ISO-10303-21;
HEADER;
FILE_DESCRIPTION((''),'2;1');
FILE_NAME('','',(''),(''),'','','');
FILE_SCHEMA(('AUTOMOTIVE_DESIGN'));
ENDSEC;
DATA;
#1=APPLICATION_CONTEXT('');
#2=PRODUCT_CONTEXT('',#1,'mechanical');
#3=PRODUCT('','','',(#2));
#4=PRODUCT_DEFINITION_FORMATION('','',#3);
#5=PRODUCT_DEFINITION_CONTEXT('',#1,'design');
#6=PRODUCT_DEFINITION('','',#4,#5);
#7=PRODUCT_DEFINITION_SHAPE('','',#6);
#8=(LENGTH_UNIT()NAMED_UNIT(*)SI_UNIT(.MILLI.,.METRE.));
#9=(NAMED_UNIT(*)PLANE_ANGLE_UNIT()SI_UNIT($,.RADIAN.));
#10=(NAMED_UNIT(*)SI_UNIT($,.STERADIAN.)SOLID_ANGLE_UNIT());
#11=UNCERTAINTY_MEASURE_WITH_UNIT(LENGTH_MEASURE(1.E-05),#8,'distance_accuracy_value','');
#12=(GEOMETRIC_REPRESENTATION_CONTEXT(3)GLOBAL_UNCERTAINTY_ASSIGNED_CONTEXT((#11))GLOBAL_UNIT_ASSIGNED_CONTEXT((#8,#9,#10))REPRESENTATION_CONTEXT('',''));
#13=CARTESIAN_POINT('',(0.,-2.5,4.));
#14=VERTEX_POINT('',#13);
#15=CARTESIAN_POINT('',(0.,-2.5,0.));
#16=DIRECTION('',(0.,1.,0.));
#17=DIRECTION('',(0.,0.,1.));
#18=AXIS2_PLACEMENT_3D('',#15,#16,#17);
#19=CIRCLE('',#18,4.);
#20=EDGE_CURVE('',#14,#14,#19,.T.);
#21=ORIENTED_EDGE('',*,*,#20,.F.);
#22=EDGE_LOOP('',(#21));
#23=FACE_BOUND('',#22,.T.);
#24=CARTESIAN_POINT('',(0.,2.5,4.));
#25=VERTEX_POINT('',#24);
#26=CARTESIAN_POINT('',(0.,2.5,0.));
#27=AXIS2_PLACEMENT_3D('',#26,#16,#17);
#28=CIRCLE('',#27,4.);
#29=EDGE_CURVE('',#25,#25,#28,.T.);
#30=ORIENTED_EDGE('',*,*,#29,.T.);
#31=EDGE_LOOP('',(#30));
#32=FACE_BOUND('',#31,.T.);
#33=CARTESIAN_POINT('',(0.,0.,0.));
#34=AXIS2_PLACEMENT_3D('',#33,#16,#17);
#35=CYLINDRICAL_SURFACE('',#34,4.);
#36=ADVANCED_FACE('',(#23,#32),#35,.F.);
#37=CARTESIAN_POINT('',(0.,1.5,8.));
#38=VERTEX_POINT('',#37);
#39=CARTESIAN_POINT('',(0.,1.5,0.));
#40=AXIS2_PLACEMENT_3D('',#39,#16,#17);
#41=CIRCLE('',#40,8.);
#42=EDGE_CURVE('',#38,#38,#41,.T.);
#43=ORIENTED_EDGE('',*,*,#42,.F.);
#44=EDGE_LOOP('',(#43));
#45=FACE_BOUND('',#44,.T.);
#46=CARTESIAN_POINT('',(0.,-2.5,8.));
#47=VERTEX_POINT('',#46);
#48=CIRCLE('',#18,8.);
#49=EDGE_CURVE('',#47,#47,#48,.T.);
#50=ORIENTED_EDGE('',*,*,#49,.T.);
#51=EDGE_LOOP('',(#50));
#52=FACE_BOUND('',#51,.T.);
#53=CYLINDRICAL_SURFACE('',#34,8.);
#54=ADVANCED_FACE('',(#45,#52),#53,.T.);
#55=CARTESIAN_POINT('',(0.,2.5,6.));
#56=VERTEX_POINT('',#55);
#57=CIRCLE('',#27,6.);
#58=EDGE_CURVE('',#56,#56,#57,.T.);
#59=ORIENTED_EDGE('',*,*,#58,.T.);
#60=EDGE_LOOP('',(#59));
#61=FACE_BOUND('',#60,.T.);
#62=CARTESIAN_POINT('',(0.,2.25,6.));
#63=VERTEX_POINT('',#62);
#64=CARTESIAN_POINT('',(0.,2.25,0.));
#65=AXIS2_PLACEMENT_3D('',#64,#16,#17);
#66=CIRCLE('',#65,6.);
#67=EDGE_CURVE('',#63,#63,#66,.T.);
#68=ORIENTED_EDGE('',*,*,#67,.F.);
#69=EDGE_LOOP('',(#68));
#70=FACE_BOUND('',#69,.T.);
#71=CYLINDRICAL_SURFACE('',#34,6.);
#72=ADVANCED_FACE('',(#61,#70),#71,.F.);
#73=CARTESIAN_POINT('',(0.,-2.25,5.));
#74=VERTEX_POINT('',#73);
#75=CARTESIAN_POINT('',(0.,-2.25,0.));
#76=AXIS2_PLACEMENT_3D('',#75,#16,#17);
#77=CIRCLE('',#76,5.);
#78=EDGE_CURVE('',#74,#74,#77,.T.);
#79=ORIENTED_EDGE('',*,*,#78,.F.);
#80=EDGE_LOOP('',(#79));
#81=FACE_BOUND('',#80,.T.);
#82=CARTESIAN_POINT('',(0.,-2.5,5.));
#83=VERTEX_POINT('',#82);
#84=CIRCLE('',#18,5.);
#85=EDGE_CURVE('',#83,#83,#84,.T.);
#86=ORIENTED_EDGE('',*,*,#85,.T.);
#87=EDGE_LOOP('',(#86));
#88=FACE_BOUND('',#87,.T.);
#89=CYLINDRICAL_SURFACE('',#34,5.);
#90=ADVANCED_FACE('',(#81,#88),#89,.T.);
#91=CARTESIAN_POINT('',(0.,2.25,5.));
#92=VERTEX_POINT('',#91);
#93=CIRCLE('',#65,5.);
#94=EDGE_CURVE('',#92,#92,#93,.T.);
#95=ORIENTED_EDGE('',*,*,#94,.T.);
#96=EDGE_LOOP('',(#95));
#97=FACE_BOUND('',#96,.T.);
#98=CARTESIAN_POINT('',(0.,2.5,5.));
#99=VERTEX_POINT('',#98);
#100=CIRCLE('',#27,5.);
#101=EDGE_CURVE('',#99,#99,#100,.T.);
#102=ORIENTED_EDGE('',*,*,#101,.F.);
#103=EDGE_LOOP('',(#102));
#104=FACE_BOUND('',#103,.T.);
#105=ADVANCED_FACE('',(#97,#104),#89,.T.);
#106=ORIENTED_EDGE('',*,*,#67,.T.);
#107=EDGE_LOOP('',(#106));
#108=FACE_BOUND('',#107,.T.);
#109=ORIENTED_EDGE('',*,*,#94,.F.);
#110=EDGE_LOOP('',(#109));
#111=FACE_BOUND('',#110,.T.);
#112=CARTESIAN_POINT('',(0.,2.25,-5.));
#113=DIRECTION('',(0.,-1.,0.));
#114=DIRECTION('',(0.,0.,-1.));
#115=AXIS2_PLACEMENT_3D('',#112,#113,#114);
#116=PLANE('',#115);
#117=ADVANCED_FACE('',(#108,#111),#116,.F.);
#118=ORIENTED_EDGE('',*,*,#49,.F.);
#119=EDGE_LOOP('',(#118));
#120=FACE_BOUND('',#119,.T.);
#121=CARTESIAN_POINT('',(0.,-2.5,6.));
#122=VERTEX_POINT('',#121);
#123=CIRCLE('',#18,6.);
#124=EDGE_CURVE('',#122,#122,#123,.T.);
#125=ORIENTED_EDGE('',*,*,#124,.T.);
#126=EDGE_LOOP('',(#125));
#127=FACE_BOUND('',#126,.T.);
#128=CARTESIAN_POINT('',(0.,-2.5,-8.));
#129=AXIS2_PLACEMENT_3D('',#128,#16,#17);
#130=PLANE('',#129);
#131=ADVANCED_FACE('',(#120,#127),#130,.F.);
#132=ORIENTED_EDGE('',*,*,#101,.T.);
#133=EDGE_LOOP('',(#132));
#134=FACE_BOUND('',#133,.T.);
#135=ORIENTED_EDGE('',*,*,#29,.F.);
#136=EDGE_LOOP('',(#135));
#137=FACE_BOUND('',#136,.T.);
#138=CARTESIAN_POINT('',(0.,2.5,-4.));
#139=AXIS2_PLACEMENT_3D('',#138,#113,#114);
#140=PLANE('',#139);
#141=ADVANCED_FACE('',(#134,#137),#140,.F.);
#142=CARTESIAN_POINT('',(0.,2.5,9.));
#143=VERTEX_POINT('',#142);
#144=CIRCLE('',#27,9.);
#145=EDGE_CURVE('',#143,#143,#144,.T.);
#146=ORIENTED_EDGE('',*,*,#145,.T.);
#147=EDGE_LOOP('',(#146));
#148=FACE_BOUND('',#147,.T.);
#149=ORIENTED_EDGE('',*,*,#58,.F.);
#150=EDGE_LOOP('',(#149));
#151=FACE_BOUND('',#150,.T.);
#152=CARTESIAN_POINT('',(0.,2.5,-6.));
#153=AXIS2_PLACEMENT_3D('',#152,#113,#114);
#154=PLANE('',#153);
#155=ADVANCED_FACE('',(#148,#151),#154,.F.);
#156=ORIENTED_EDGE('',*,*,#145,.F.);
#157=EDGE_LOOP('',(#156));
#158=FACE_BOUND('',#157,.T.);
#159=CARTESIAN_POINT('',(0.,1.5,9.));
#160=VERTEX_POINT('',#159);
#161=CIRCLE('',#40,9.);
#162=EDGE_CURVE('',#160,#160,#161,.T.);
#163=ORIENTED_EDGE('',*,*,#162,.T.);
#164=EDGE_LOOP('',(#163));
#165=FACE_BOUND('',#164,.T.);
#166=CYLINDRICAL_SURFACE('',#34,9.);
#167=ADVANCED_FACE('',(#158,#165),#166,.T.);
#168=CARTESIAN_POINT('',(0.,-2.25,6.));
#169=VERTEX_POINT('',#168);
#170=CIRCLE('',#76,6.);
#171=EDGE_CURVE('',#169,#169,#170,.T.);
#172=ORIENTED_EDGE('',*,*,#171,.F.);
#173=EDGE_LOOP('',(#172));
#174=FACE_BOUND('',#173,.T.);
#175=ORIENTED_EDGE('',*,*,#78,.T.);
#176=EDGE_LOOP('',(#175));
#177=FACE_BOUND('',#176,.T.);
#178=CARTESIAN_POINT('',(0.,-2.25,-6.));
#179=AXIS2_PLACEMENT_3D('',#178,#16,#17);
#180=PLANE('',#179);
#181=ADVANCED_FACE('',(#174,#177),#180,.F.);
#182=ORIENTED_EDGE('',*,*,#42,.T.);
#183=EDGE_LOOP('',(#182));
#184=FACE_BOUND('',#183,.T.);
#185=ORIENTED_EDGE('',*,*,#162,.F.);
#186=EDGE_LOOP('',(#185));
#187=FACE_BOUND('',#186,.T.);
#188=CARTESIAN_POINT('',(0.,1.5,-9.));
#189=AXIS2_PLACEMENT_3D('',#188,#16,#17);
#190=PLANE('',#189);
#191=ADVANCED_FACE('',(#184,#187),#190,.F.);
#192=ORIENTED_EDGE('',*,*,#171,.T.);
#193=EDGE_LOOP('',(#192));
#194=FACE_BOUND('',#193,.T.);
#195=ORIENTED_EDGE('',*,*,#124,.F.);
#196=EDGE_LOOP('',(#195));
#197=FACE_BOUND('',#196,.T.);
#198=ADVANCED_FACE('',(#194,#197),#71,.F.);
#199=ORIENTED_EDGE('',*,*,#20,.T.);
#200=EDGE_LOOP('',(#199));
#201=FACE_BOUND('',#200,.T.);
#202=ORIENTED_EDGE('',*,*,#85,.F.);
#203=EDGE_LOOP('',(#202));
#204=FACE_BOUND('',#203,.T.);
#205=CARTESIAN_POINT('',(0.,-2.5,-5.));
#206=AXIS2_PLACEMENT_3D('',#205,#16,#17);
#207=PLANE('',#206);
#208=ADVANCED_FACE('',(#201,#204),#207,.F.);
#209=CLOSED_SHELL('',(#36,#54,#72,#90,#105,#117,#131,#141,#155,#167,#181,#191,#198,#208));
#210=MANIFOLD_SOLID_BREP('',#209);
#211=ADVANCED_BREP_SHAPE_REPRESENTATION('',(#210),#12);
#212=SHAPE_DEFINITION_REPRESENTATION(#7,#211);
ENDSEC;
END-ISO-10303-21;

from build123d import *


with BuildPart() as part:
    # Sketch1 → Revolve1 (revolve)
    with BuildSketch(Plane(origin=(0, 0, 0), x_dir=(0, -1, 0), z_dir=(1, 0, 0)), mode=Mode.PRIVATE) as revolve1_sk:
        Polygon((-2.5, 9), (-1.5, 9), (-1.5, 8), (2.5, 8), (2.5, 6), (2.25, 6), (2.25, 5), (2.5, 5), (2.5, 4), (-2.5, 4), (-2.5, 5), (-2.25, 5), (-2.25, 6), (-2.5, 6), align=None)
    revolve(revolve1_sk.sketch.rotate(Axis((0, 0, 0), (0, -1, 0)), 180), axis=Axis((0, 0, 0), (0, -1, 0)))


solid = part.part
